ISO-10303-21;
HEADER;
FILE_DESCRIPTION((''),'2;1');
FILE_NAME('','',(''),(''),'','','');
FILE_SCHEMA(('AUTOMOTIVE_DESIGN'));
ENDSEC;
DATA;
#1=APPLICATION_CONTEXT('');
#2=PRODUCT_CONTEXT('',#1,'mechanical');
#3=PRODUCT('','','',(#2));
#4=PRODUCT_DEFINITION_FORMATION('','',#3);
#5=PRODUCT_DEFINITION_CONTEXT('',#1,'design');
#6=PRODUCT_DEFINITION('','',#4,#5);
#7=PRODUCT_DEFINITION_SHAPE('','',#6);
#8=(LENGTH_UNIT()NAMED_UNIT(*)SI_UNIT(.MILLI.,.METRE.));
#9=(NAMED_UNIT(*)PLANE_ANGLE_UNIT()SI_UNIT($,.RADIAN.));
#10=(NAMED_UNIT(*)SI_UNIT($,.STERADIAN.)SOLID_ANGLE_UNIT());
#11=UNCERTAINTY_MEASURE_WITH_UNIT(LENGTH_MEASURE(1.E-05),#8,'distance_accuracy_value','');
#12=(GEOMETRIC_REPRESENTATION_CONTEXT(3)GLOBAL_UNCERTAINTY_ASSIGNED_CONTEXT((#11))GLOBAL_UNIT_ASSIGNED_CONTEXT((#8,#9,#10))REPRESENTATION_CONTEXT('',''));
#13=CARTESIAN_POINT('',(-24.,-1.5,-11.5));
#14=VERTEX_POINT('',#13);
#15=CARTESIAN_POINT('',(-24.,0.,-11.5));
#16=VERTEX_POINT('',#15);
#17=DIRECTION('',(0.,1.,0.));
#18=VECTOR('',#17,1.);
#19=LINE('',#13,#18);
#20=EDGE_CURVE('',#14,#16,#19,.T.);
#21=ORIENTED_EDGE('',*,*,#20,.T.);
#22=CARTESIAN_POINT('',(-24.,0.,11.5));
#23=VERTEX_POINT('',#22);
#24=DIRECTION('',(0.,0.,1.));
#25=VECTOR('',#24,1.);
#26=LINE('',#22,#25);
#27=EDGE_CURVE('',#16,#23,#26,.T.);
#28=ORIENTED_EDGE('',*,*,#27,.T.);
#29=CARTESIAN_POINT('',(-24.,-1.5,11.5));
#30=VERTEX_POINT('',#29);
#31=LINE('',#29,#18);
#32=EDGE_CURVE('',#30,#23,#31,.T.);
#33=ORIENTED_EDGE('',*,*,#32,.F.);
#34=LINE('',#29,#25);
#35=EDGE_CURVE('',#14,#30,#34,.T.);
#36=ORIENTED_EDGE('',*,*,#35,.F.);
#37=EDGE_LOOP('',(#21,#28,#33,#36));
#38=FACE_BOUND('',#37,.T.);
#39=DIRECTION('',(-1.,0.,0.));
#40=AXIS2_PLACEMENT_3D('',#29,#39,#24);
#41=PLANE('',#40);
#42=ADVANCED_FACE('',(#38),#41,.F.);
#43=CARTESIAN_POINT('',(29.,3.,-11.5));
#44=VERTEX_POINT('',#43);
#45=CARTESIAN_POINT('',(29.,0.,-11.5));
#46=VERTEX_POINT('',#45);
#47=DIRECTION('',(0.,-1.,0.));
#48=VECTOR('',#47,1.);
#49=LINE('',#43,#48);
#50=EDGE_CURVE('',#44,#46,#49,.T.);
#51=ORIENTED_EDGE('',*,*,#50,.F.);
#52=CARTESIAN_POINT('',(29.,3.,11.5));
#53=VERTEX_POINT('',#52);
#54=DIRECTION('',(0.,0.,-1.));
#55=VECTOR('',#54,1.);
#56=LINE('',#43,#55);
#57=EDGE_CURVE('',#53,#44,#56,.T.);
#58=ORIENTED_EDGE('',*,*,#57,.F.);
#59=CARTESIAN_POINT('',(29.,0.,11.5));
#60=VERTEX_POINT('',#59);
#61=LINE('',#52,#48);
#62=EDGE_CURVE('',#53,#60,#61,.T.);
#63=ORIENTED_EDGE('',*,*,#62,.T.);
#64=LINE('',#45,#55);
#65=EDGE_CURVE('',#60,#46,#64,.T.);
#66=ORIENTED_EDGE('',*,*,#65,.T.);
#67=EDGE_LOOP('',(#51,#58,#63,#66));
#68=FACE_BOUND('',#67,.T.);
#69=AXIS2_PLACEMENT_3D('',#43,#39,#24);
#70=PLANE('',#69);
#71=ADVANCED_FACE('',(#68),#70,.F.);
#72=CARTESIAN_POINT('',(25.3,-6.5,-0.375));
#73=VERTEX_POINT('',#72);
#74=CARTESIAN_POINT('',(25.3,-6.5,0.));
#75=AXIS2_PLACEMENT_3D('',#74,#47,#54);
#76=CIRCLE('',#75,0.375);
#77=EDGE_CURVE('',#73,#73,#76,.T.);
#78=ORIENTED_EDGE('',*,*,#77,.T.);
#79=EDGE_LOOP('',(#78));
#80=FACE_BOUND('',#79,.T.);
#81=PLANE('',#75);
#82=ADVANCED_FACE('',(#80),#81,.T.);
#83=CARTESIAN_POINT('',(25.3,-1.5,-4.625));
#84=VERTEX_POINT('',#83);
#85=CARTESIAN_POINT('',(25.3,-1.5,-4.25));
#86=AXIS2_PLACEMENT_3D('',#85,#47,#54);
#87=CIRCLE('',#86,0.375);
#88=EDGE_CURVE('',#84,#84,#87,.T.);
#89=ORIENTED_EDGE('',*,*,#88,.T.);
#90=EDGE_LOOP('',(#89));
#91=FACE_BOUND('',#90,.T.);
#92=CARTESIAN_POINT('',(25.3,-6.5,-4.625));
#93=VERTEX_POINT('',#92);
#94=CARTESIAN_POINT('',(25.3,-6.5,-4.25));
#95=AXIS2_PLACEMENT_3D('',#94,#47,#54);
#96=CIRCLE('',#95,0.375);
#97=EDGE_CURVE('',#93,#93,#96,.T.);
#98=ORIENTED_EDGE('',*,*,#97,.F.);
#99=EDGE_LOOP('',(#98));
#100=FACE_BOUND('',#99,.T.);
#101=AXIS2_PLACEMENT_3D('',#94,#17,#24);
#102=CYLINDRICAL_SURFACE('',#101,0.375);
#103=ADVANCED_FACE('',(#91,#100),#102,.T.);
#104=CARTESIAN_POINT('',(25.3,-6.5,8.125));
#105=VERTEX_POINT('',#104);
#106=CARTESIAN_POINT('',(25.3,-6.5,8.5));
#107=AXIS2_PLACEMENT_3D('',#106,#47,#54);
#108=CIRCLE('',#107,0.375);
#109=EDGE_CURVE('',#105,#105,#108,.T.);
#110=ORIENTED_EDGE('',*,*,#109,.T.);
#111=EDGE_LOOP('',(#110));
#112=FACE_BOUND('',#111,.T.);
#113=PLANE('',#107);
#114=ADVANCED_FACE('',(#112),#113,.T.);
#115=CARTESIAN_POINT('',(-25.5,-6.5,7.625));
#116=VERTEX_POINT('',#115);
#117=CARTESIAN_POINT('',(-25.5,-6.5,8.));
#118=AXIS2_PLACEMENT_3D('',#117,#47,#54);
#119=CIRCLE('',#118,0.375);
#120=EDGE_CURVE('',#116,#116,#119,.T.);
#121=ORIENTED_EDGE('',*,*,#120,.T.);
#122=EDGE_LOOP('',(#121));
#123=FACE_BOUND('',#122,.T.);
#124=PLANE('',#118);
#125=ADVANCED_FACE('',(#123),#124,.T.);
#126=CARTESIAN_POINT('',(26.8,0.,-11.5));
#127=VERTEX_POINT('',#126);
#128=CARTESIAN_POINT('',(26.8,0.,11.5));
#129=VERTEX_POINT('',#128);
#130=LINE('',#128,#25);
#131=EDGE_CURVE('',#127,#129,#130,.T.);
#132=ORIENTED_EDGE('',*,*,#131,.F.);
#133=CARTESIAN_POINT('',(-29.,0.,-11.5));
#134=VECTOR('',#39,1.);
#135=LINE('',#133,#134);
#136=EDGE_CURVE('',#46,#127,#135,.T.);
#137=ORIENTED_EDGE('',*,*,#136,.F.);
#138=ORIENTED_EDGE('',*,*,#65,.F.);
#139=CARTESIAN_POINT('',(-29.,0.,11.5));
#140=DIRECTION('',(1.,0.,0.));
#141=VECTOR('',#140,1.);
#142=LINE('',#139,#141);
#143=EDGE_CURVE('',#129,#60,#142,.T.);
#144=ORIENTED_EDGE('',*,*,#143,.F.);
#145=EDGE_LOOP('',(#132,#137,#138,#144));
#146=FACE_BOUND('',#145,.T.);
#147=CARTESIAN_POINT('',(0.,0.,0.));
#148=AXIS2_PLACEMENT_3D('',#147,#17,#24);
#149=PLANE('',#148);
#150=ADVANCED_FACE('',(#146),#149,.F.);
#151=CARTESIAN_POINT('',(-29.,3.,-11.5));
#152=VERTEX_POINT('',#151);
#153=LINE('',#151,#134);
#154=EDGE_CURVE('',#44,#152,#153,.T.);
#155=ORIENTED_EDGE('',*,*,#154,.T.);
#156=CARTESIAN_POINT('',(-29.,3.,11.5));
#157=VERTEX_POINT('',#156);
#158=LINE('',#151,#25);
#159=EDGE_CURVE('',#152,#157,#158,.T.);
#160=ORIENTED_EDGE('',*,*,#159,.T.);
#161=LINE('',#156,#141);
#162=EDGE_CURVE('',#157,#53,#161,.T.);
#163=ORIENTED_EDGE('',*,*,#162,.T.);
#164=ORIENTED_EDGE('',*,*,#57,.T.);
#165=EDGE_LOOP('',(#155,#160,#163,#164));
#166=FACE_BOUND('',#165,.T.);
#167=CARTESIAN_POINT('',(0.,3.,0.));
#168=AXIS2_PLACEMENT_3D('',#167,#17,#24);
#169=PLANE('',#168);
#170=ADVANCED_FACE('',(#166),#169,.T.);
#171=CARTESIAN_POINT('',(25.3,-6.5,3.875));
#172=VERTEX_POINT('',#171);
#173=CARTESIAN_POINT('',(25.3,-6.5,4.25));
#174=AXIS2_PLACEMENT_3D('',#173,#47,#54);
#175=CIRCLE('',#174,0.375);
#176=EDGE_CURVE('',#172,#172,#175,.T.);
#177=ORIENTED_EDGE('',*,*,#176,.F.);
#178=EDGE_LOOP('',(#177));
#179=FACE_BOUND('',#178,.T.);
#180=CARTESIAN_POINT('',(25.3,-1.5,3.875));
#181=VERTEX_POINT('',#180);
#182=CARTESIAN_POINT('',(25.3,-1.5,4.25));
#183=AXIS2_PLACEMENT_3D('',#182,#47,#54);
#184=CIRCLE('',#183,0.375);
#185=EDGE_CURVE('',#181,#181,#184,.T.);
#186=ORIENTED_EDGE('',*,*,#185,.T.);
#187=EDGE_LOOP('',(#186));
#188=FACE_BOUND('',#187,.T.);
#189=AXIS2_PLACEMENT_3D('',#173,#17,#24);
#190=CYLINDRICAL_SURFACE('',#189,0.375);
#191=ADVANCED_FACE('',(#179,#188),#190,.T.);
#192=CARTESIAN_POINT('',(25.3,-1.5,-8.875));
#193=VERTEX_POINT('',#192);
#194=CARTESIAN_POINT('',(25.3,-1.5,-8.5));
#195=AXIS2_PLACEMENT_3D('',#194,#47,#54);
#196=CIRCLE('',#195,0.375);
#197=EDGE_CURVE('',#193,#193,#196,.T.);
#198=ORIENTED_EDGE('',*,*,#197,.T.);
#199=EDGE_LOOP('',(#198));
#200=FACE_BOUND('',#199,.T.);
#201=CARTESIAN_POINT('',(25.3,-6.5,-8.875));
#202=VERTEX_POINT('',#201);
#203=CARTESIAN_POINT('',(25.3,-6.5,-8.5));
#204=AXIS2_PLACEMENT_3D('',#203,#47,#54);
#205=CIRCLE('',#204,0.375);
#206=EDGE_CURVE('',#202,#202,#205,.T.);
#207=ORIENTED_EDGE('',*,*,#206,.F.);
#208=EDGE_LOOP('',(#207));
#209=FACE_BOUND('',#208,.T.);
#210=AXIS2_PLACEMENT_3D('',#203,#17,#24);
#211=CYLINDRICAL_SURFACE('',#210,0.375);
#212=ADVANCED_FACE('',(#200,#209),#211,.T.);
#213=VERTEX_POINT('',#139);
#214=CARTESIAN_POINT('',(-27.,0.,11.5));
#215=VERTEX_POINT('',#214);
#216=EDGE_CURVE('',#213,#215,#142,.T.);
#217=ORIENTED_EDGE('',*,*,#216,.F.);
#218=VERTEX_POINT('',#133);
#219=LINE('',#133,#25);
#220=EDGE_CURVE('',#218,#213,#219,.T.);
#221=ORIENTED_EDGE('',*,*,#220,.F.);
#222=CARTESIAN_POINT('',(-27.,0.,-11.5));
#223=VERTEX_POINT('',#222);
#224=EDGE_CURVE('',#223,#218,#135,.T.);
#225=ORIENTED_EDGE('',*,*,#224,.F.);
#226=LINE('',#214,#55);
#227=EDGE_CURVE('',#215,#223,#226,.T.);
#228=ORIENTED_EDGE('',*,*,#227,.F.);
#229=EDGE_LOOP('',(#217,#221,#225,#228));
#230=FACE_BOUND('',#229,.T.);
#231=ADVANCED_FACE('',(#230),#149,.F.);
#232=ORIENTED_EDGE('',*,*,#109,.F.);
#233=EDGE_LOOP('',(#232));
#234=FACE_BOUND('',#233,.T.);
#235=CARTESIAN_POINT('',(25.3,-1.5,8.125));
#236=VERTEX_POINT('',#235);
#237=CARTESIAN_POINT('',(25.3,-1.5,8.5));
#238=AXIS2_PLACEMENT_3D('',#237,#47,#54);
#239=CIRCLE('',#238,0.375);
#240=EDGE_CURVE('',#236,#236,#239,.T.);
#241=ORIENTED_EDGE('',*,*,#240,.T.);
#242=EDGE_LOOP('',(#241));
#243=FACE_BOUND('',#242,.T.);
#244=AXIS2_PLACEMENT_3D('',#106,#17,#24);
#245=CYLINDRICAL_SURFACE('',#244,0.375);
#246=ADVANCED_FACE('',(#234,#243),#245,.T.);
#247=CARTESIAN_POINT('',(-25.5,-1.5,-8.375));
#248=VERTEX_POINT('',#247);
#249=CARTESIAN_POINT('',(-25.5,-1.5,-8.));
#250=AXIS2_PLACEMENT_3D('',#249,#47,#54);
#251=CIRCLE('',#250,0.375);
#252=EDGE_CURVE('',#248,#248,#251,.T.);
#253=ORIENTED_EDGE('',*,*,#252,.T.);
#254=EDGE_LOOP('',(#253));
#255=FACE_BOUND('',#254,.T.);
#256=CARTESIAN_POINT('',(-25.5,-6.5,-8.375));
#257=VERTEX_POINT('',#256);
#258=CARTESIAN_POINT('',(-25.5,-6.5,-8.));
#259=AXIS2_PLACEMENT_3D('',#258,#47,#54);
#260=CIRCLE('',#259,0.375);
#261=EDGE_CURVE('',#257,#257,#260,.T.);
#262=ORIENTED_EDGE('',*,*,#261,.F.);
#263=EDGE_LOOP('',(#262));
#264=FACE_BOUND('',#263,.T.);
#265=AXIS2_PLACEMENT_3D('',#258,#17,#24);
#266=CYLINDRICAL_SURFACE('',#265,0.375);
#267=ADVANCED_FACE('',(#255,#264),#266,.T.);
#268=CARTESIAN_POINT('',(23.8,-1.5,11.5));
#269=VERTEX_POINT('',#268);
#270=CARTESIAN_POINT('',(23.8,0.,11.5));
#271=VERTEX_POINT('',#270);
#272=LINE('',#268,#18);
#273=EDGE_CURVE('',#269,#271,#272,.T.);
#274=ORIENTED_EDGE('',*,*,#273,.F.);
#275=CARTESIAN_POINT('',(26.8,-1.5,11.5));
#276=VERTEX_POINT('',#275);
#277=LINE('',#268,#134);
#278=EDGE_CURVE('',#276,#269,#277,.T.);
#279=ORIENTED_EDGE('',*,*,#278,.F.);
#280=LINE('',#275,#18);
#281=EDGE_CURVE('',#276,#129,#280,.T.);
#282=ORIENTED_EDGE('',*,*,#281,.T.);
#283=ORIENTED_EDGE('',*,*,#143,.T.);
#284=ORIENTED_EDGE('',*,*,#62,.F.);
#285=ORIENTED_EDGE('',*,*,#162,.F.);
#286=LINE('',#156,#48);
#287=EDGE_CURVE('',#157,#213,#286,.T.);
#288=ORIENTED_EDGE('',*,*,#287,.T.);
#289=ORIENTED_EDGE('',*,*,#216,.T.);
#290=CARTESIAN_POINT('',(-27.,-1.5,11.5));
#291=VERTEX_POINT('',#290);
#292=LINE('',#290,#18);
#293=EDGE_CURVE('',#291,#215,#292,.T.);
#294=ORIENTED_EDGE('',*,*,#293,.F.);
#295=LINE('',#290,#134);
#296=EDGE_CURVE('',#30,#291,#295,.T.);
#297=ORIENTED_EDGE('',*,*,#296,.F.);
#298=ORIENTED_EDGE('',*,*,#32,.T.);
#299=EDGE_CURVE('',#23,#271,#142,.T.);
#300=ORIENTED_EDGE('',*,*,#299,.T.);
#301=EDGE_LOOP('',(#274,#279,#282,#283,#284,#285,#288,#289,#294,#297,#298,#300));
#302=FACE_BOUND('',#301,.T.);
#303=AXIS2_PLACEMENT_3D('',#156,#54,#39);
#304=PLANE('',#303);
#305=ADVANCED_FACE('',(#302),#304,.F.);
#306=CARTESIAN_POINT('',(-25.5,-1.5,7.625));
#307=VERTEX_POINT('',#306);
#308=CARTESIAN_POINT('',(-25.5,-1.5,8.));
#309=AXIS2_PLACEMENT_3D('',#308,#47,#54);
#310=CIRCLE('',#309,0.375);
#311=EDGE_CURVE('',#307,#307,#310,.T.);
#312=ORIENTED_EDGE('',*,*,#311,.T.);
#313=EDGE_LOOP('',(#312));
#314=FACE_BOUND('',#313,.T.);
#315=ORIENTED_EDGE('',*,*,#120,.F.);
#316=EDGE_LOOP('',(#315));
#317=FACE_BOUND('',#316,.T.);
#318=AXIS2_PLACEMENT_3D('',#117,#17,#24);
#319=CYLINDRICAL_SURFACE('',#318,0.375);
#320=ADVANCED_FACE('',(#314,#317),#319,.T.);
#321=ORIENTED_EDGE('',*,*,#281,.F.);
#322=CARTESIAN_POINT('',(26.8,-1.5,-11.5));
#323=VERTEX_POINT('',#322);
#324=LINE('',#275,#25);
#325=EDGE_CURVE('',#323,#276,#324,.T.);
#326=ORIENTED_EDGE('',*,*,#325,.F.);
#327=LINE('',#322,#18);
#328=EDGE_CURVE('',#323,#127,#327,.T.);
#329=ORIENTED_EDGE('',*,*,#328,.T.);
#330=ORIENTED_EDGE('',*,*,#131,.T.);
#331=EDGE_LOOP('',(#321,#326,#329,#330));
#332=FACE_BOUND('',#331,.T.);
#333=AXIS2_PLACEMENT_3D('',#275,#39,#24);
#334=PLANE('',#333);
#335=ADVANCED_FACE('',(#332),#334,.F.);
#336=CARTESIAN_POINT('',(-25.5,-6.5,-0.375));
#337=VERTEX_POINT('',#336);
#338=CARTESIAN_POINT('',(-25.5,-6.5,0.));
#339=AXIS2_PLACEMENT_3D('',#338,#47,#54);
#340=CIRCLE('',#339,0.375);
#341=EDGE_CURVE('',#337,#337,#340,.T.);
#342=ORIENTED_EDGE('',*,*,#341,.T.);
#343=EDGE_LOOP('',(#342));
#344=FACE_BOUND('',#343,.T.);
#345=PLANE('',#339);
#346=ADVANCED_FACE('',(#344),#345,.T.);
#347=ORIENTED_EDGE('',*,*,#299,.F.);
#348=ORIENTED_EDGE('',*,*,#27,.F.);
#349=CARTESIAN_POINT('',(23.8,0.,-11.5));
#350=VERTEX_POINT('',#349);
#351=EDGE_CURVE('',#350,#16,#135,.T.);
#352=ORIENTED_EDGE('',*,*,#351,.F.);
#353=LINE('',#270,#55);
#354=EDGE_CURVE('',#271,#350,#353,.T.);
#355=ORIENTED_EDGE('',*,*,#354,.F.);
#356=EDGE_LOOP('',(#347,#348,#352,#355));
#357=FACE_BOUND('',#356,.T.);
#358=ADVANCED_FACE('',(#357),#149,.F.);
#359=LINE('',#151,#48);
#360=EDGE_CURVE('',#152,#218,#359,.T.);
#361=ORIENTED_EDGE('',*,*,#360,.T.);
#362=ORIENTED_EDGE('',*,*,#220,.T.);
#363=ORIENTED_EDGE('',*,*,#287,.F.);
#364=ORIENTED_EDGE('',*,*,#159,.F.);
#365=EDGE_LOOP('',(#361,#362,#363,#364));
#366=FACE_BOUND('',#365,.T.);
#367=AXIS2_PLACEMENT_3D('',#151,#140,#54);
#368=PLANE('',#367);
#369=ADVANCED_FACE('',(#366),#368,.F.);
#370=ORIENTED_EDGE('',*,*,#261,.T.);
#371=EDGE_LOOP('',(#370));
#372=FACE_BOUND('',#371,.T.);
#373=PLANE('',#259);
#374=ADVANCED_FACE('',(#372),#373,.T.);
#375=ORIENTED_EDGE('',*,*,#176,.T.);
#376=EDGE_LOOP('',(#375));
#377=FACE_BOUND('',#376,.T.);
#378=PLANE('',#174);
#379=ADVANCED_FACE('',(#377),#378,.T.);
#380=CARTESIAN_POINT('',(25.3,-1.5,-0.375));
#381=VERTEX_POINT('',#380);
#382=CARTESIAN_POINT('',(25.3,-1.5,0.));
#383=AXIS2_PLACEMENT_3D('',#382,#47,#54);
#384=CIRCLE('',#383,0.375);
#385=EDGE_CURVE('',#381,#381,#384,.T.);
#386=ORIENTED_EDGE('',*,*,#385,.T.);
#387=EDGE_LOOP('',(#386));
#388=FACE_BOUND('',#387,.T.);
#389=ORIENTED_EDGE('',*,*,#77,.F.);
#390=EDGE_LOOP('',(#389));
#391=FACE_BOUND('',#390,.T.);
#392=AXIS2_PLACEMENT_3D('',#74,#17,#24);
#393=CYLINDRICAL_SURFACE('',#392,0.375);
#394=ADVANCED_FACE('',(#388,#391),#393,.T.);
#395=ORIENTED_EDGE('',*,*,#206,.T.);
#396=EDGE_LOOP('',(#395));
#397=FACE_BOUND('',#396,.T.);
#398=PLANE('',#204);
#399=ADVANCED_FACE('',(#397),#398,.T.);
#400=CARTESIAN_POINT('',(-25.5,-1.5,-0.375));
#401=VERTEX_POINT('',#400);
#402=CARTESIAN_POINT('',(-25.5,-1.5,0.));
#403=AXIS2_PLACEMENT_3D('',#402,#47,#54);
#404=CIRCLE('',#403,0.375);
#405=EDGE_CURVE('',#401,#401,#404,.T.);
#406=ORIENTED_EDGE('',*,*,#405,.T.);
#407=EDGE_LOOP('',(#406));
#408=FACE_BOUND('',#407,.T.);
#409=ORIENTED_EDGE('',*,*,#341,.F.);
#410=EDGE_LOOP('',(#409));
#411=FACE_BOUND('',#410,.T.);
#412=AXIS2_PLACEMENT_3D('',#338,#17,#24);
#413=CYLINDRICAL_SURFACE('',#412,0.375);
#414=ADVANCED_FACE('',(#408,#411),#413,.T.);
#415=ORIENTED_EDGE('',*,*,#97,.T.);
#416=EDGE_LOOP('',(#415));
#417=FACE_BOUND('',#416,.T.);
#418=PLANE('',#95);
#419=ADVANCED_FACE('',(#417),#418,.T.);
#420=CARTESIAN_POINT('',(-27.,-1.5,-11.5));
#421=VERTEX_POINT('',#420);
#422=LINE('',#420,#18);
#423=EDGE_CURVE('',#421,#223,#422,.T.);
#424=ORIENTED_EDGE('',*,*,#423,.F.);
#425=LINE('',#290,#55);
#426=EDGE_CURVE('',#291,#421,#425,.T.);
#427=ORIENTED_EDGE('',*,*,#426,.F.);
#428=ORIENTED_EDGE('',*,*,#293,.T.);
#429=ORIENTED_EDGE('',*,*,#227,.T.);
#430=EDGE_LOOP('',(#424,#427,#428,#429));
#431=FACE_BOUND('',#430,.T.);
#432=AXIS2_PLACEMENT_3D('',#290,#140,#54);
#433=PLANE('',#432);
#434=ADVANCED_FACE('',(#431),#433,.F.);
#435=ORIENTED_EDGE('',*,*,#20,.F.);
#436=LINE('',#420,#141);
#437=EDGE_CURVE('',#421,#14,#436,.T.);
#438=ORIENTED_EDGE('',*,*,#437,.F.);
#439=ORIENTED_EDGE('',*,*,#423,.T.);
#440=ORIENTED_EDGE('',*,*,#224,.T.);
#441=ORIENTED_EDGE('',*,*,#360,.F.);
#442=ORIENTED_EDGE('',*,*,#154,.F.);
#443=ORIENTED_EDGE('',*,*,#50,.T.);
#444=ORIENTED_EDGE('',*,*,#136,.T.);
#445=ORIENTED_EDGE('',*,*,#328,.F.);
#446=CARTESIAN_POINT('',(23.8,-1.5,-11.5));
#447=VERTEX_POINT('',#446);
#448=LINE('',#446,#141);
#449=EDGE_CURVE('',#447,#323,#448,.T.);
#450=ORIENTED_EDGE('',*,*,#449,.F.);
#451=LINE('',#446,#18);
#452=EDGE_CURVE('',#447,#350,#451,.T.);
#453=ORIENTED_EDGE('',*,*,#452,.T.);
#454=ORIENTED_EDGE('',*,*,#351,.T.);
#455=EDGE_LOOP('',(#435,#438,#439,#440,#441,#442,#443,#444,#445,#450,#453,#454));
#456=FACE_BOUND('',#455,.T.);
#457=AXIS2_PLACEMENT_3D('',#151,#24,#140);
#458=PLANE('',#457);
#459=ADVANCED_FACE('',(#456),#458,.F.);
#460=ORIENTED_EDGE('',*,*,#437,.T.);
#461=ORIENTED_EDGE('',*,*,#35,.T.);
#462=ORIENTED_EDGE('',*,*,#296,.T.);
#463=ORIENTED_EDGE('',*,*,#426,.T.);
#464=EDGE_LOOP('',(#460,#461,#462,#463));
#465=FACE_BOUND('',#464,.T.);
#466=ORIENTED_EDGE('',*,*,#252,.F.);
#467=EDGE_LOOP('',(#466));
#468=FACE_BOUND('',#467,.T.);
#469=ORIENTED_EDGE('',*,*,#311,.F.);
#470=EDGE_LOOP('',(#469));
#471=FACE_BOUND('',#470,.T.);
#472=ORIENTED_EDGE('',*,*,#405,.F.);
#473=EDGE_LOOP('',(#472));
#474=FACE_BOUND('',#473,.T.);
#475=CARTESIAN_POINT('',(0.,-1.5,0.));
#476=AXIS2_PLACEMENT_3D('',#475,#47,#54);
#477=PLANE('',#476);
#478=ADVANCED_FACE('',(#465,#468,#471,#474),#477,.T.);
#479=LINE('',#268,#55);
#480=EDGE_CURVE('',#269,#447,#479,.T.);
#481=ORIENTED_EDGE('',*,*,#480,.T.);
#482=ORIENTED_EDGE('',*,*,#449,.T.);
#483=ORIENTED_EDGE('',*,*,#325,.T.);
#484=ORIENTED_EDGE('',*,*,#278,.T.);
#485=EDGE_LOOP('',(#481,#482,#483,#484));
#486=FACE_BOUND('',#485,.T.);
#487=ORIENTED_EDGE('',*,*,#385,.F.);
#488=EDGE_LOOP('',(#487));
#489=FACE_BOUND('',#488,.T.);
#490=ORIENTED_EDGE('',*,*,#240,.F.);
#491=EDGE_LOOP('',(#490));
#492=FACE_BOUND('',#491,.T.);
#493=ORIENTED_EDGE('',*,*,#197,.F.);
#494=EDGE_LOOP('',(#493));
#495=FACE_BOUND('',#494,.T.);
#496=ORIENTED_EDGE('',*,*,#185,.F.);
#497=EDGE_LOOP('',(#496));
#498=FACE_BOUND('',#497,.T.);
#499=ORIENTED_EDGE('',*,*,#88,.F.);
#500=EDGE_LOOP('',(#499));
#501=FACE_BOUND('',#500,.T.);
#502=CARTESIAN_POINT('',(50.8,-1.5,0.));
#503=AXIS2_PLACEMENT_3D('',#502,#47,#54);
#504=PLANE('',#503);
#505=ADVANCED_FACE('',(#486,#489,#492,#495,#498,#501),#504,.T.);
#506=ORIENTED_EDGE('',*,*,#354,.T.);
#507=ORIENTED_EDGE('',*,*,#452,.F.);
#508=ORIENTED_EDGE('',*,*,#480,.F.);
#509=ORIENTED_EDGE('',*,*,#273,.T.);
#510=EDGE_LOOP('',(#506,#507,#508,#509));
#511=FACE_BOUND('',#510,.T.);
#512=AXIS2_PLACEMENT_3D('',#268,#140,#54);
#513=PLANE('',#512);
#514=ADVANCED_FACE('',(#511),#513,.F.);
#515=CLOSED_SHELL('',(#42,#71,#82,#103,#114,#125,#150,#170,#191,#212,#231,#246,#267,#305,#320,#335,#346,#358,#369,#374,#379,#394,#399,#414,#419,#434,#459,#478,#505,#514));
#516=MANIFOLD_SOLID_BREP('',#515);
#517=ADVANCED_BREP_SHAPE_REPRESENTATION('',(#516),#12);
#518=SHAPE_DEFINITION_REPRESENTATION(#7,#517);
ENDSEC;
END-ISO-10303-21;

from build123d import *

# Parameters (mm, degrees)
SKETCH1_W           = 58
SKETCH1_H           = 23
BOSS_EXTRUDE1_DEPTH = 3
SKETCH2_W           = 3
SKETCH2_H           = 23
BOSS_EXTRUDE2_DEPTH = 1.5
SKETCH3_R           = 0.375
BOSS_EXTRUDE3_DEPTH = 5
LPATTERN1_COUNT     = 2
LPATTERN1_PITCH     = 50.8
SKETCH4_R           = 0.375
BOSS_EXTRUDE4_DEPTH = 5


with BuildPart() as part:
    # Sketch1 → Boss-Extrude1 (new body)
    with BuildSketch(Plane(origin=(0, 0, 0), x_dir=(1, 0, 0), z_dir=(0, 1, 0))):
        Rectangle(SKETCH1_W, SKETCH1_H)
    extrude(amount=BOSS_EXTRUDE1_DEPTH)

    # Sketch2 → Boss-Extrude2 (add)
    with BuildSketch(Plane.XZ):
        with Locations((-25.5, 0)):
            Rectangle(SKETCH2_W, SKETCH2_H)
    boss_extrude2 = extrude(amount=BOSS_EXTRUDE2_DEPTH)

    # Sketch3 → Boss-Extrude3 (add)
    with BuildSketch(Plane.XZ.offset(1.5)):
        with Locations(Location((-25.5, 8, 0), (0, 0, 270))):
            Circle(SKETCH3_R)
        with Locations(Location((-25.5, 0, 0), (0, 0, 270))):
            Circle(SKETCH3_R)
        with Locations(Location((-25.5, -8, 0), (0, 0, 270))):
            Circle(SKETCH3_R)
    extrude(amount=BOSS_EXTRUDE3_DEPTH)

    # LPattern1: Boss-Extrude2 ×2
    with Locations(*[(i * LPATTERN1_PITCH, 0, 0) for i in range(1, LPATTERN1_COUNT)]):
        add(boss_extrude2)

    # Sketch4 → Boss-Extrude4 (add)
    with BuildSketch(Plane.XZ.offset(1.5)):
        with Locations(Location((25.3, 8.5, 0), (0, 0, 270))):
            Circle(SKETCH4_R)
        with Locations(Location((25.3, 4.25, 0), (0, 0, 270))):
            Circle(SKETCH4_R)
        with Locations(Location((25.3, 0, 0), (0, 0, 270))):
            Circle(SKETCH4_R)
        with Locations(Location((25.3, -4.25, 0), (0, 0, 270))):
            Circle(SKETCH4_R)
        with Locations(Location((25.3, -8.5, 0), (0, 0, 270))):
            Circle(SKETCH4_R)
    extrude(amount=BOSS_EXTRUDE4_DEPTH)


solid = part.part
